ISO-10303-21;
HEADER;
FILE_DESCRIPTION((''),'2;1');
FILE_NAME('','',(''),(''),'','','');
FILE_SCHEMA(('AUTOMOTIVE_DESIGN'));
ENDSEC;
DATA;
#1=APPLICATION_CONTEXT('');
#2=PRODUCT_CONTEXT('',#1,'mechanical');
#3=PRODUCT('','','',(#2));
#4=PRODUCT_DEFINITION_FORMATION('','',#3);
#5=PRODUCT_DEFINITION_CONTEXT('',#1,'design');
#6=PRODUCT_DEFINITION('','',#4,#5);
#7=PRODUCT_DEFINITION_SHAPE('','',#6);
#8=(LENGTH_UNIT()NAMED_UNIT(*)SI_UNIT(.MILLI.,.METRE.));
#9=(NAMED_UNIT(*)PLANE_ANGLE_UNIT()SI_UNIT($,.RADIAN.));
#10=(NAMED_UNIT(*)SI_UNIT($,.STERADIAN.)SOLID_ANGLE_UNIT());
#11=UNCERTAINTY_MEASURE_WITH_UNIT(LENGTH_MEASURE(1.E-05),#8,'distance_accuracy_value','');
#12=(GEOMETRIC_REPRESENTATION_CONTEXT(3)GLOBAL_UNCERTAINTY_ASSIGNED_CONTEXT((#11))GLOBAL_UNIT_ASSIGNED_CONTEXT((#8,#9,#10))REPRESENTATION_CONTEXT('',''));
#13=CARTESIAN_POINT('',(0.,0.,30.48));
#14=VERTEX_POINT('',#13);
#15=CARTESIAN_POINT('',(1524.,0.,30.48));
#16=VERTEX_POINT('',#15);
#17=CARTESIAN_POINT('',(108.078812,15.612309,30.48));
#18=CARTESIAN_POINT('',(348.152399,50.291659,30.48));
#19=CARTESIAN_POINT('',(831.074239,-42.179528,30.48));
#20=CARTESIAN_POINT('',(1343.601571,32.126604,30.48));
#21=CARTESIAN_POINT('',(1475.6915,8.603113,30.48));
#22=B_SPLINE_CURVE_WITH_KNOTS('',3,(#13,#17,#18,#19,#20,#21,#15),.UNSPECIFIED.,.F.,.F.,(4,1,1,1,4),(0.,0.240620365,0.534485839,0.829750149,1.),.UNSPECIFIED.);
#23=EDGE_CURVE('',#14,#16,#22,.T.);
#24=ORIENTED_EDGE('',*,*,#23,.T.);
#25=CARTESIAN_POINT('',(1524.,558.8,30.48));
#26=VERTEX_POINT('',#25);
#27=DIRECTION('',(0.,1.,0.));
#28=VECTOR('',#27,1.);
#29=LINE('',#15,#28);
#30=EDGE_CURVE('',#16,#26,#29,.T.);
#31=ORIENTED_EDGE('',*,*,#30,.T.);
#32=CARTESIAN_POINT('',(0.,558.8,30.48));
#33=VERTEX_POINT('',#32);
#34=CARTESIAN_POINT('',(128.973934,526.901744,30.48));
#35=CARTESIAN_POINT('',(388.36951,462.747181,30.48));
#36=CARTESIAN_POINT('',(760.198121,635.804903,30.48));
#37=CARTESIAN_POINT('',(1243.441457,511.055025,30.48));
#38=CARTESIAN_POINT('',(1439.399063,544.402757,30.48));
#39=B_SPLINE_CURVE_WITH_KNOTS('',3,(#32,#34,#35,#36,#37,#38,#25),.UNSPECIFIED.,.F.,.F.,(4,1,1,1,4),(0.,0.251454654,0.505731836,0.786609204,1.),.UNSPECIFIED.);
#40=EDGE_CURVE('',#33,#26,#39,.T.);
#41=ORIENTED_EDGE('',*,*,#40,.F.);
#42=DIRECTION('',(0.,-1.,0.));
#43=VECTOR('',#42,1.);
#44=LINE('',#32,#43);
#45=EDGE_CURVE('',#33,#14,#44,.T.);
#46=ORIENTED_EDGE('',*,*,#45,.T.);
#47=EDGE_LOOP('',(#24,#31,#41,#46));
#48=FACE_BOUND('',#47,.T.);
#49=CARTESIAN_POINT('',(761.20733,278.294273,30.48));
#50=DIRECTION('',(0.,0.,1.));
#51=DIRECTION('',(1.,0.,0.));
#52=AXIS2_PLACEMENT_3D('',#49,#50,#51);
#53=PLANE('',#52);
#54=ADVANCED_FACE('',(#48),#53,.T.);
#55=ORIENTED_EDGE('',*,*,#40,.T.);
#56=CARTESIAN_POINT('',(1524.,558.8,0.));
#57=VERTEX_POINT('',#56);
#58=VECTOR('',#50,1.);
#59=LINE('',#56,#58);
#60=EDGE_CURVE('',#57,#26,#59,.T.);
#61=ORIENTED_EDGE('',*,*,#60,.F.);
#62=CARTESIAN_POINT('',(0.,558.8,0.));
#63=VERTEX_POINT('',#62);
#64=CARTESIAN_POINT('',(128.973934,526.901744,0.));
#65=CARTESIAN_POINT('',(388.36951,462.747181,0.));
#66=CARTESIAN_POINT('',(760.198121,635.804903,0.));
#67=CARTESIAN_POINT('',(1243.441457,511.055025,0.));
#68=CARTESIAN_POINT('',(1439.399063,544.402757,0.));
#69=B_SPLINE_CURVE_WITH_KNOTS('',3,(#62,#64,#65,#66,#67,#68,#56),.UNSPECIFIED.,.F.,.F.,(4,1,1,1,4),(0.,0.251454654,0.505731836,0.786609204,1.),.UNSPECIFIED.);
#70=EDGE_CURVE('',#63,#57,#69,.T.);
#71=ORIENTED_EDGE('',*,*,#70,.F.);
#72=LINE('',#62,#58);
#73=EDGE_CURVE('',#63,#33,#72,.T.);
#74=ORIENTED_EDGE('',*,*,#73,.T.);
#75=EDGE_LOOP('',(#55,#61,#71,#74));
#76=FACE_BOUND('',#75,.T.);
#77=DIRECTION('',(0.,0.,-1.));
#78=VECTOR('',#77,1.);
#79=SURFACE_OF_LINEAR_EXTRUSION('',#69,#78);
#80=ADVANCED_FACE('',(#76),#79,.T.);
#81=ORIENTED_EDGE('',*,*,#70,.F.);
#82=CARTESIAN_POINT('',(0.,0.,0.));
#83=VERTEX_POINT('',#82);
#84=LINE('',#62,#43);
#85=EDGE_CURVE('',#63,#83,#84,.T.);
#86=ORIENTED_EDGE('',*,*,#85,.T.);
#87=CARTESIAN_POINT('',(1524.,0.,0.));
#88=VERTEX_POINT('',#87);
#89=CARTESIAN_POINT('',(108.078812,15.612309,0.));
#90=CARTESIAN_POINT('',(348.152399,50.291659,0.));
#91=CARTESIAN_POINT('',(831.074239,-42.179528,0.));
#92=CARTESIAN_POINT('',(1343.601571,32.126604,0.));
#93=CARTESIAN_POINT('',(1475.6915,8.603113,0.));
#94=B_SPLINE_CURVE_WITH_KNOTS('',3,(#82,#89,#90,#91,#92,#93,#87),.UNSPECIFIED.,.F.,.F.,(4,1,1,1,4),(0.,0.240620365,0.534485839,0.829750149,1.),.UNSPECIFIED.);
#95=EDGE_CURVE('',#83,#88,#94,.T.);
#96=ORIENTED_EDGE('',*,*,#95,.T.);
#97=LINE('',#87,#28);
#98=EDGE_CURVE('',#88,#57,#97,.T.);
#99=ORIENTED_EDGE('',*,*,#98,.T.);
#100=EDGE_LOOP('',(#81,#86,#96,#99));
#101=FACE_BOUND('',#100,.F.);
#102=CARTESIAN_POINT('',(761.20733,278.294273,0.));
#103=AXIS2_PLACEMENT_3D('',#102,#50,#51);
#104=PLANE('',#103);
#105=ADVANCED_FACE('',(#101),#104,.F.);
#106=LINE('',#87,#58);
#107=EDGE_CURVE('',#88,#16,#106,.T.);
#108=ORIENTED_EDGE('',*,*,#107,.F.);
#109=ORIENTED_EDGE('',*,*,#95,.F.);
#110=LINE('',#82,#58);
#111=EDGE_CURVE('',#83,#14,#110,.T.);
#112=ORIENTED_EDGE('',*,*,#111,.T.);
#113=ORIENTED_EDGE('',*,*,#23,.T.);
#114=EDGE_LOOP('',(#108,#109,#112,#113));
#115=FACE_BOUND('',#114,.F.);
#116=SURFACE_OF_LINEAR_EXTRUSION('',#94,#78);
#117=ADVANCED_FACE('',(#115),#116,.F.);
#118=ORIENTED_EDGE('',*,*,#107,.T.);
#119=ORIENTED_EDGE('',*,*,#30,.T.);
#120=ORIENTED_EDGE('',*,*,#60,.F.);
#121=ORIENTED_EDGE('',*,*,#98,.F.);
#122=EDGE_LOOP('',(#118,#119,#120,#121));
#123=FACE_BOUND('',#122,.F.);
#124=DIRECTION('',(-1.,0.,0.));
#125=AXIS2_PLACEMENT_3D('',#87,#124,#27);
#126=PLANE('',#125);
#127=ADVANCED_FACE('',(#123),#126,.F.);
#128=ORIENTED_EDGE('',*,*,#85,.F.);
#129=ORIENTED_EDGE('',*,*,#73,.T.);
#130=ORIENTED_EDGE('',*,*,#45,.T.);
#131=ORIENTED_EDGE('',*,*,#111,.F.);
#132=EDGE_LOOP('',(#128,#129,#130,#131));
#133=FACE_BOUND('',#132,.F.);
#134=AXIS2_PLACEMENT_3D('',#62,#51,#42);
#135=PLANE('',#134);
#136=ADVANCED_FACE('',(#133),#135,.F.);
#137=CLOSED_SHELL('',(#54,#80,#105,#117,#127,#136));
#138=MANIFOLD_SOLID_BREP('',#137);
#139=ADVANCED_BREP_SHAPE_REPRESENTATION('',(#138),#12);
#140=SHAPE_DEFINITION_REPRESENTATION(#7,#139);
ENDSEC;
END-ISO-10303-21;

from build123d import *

# Parameters (mm, degrees)
F1_DEPTH = 30.48


with BuildPart() as f1:
    # F0 (on Top) → F1 (new body)
    with BuildSketch(Plane.XY):
        with BuildLine():
            Line((0, 558.8), (0, 0))
            add(Edge.make_bspline(
                [(0, 0), (108.078811601, 15.6123087742), (348.15239897, 50.291659139), (831.0742394846, -42.1795277306), (1343.6015708693, 32.1266044298), (1475.6915001467, 8.6031129698), (1524, 0)],
                knots=[0, 0, 0, 0, 0.2406203652, 0.5344858387, 0.8297501489, 1, 1, 1, 1], degree=3))
            Line((1524, 0), (1524, 558.8))
            add(Edge.make_bspline(
                [(0, 558.8), (128.9739344828, 526.9017443551), (388.3695104492, 462.747181431), (760.1981210065, 635.8049029082), (1243.4414567655, 511.0550253898), (1439.3990633357, 544.4027568205), (1524, 558.8)],
                knots=[0, 0, 0, 0, 0.2514546536, 0.5057318362, 0.7866092041, 1, 1, 1, 1], degree=3))
        make_face()
    extrude(amount=F1_DEPTH)


solid = f1.part
